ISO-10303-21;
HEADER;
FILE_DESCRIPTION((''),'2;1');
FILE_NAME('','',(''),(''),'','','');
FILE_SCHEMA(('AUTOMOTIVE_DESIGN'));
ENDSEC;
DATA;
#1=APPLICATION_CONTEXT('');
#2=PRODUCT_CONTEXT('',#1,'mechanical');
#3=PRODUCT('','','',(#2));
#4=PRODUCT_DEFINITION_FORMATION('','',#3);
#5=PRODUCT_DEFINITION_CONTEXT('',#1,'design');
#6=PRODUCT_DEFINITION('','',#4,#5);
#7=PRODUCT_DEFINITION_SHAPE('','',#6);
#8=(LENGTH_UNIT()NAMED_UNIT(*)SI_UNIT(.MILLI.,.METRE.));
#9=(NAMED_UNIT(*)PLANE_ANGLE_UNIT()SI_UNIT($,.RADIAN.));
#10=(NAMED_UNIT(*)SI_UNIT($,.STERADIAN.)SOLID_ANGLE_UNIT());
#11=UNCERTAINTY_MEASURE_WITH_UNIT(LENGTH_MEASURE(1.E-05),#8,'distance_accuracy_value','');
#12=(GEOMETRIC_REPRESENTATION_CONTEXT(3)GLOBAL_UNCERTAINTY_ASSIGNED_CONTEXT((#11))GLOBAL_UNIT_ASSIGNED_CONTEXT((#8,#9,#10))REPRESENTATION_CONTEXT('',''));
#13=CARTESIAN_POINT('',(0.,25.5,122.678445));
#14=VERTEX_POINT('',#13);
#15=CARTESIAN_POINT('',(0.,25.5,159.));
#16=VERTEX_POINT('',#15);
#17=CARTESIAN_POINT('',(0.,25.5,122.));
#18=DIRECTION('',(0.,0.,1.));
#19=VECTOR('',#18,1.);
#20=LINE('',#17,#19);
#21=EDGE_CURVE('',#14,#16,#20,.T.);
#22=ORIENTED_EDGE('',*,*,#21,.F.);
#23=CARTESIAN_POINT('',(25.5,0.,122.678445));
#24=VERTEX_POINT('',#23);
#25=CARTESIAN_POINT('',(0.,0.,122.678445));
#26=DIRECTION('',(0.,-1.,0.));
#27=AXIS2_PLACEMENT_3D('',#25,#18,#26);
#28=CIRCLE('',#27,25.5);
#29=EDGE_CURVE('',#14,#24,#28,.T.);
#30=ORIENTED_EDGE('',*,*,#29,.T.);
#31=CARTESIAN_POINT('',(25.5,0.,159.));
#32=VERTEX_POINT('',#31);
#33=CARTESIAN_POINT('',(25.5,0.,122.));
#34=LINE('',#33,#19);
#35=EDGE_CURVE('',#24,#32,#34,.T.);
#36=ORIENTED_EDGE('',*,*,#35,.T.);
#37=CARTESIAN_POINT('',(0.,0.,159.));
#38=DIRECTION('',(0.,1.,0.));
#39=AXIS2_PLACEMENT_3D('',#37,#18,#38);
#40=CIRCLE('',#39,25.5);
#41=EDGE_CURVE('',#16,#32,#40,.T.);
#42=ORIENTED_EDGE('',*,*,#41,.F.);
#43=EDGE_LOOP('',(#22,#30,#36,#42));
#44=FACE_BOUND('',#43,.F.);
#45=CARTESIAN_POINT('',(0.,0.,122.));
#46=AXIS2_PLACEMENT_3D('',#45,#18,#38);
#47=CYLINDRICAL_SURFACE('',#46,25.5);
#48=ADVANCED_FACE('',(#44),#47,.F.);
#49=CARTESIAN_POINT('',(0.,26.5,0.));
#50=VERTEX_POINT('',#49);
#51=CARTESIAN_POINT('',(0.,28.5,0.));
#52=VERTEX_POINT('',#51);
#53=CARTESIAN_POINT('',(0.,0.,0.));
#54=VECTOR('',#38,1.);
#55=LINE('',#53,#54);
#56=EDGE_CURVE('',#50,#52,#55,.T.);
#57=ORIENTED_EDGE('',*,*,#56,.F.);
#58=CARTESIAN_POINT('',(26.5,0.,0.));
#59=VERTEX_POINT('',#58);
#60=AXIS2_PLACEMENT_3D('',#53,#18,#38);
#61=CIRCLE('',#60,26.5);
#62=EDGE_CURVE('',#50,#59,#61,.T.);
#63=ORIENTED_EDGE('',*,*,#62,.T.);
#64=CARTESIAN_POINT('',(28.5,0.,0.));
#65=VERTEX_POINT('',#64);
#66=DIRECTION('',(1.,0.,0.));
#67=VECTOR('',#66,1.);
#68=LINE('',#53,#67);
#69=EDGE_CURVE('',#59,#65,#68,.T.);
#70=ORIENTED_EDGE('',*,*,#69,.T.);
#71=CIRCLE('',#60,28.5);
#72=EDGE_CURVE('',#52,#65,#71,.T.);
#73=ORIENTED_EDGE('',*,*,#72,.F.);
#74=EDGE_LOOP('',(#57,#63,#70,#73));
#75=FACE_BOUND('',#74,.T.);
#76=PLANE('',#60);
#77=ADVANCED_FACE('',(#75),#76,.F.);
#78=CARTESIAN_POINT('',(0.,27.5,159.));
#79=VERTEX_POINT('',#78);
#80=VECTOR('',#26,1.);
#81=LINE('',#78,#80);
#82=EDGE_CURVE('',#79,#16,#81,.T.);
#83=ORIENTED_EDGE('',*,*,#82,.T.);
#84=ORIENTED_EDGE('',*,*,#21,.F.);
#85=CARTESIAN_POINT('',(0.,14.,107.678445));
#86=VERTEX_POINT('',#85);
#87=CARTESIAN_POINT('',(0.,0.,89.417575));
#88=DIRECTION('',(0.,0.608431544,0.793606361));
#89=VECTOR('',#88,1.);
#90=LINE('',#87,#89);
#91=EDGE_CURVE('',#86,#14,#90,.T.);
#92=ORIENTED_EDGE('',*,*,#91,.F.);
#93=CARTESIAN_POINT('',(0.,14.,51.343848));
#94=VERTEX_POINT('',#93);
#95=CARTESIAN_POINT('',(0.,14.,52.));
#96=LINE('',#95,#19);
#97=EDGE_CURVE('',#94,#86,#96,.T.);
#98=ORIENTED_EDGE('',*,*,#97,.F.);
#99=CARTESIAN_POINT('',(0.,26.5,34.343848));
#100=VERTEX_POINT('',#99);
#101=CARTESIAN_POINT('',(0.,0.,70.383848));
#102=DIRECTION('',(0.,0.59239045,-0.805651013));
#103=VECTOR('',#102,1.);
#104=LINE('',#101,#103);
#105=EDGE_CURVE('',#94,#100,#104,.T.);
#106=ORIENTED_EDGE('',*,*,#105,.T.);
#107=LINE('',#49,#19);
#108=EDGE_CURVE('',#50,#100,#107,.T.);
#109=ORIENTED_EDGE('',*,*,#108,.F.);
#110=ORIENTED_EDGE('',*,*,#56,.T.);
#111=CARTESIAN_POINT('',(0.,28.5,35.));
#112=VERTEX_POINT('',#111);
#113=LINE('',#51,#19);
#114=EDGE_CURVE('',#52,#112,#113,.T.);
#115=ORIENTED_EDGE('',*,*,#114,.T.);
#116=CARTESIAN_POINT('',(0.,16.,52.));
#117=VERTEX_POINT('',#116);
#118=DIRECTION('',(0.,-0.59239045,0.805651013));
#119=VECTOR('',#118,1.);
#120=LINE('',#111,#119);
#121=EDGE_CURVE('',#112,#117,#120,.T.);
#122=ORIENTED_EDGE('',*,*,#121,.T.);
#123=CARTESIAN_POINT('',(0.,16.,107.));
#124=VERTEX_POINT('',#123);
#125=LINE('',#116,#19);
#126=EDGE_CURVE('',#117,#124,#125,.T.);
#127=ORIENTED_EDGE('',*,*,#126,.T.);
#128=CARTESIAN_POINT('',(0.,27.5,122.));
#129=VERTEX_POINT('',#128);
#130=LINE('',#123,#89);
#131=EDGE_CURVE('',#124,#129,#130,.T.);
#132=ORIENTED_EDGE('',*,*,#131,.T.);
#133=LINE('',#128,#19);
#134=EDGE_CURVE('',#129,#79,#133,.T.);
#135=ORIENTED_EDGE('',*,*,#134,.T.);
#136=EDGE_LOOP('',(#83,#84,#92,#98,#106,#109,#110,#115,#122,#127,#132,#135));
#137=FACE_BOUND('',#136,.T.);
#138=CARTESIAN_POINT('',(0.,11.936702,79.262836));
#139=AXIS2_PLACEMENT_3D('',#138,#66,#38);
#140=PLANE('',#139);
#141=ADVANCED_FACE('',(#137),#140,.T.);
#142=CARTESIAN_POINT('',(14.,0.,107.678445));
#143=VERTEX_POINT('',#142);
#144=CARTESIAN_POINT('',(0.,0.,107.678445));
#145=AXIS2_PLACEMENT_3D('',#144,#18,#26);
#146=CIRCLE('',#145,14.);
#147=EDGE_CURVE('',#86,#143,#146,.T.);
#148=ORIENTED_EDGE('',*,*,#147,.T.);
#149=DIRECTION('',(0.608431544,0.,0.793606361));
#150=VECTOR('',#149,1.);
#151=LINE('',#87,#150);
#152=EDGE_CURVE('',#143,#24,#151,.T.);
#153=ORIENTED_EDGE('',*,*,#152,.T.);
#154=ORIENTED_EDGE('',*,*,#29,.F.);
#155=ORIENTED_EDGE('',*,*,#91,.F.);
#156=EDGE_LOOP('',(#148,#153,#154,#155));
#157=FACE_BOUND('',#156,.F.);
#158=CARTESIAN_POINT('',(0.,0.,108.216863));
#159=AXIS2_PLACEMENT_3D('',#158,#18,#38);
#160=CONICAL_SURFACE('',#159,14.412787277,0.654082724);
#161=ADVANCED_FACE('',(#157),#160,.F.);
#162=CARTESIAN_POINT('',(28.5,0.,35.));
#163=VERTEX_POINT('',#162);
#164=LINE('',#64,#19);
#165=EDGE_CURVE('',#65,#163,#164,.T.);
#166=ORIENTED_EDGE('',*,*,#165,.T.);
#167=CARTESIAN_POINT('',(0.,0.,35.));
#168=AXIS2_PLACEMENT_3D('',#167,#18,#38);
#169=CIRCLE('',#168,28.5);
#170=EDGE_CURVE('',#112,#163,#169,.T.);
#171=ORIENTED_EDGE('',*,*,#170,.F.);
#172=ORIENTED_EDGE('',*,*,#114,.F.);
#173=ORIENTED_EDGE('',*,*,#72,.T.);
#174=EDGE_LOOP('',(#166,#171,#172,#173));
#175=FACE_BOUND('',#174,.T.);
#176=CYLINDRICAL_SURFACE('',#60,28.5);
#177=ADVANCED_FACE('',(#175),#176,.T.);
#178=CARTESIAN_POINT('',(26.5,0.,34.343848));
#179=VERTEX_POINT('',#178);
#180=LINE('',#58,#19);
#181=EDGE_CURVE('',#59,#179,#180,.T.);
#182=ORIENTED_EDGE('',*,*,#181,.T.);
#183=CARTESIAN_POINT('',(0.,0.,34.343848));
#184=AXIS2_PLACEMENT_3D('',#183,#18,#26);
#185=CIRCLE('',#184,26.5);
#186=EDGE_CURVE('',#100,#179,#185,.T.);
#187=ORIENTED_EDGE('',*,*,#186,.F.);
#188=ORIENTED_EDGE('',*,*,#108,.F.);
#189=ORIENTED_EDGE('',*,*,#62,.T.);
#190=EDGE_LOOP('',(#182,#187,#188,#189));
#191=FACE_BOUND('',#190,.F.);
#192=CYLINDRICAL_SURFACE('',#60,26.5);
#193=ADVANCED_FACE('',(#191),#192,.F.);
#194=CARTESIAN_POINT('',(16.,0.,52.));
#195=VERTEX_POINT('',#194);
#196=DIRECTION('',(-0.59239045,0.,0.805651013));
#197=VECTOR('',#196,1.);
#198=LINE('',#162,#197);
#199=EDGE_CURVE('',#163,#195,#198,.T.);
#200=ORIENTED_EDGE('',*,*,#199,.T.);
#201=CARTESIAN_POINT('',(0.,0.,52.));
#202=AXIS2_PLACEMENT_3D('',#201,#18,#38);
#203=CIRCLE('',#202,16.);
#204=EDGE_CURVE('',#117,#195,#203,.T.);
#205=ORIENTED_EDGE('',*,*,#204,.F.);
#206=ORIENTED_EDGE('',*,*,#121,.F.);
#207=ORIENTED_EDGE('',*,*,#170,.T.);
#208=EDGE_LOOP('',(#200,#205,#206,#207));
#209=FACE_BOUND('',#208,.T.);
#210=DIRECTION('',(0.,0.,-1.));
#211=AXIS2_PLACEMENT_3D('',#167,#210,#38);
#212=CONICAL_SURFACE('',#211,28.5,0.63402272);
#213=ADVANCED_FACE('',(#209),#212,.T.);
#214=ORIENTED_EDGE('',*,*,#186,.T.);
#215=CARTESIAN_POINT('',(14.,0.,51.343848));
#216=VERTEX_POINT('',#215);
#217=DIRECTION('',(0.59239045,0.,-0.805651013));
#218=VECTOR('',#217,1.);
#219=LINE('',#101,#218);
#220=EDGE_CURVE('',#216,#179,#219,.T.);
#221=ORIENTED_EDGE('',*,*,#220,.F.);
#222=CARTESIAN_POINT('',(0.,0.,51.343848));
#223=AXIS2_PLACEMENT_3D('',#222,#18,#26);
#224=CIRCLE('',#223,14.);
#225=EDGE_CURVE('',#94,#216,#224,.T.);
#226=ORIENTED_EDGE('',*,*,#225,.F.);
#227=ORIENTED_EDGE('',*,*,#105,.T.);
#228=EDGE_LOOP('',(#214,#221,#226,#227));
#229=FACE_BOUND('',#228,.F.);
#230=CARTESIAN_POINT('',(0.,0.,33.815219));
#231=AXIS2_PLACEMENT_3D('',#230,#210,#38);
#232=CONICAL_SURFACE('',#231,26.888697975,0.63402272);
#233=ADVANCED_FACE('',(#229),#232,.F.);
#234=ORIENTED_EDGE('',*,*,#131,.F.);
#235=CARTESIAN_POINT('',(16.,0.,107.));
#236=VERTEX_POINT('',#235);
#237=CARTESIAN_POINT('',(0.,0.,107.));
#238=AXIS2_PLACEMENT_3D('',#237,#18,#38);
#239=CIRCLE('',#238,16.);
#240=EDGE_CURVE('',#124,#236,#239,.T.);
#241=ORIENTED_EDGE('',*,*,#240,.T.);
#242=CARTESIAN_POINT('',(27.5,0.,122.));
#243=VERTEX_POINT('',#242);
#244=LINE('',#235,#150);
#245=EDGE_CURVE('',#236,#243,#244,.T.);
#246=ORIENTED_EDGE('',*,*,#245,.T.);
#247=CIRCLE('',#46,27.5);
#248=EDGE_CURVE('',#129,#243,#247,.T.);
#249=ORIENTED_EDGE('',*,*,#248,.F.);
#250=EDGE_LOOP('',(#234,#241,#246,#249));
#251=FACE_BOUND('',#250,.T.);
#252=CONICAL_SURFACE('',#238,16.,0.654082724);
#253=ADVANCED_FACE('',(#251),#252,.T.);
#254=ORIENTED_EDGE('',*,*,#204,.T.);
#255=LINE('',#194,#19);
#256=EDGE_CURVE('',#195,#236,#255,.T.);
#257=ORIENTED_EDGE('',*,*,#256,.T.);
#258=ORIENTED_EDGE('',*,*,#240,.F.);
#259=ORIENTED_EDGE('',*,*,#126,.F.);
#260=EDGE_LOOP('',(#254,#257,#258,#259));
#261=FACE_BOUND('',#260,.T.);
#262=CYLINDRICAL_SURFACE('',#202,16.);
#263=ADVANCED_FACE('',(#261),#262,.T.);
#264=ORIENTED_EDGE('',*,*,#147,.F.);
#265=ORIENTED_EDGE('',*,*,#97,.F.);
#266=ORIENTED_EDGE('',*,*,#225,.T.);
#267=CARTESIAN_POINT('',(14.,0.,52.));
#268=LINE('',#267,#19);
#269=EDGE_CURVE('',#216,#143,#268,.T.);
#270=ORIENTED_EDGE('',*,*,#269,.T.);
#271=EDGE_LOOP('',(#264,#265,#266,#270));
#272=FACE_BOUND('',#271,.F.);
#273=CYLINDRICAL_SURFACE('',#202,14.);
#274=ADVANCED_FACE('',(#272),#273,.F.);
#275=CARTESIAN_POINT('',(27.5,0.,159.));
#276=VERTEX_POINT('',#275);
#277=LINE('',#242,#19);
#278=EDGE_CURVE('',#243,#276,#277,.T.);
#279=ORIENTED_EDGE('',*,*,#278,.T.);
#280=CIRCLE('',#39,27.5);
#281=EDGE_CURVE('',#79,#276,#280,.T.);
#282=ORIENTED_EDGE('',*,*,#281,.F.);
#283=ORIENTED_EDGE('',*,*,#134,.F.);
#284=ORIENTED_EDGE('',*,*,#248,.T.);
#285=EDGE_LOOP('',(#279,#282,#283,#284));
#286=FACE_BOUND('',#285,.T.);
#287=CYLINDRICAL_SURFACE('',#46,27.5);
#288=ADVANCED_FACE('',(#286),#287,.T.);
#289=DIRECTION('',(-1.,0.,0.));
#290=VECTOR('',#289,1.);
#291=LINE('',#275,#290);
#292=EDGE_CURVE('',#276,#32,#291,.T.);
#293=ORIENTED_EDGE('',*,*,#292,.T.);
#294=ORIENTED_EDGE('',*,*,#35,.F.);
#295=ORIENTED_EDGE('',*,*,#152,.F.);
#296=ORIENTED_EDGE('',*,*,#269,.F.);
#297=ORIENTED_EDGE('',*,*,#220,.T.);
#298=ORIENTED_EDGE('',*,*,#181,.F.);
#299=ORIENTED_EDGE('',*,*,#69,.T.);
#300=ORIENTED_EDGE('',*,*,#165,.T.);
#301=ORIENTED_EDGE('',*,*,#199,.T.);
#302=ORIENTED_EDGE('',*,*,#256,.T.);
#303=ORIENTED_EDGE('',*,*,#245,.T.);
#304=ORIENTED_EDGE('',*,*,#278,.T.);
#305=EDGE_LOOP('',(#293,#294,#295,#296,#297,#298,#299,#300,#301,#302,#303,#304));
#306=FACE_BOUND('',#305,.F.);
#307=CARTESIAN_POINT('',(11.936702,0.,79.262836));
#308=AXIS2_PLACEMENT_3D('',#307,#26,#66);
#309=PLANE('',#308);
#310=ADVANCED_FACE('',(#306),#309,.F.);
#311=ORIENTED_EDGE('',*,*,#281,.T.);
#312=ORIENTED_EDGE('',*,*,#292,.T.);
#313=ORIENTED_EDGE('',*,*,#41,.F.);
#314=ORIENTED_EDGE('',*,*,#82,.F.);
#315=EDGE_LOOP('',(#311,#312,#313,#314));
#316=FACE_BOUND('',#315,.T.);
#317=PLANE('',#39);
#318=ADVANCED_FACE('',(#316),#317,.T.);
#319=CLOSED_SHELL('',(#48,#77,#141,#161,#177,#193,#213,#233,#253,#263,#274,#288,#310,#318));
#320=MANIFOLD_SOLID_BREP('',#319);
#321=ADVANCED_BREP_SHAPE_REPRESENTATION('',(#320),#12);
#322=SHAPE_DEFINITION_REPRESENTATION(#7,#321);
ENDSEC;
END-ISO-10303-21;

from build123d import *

# Parameters (mm, degrees)
F6_ANGLE = 270
F7_T     = -2


with BuildPart() as f6:
    # F5 (on Right) → F6 (revolve)
    with BuildSketch(Plane.YZ):
        Polygon((0, 0), (28.5, 0), (28.5, 35), (16, 52), (16, 107), (27.5, 122), (27.5, 159), (0, 159), align=None)
    revolve(axis=Axis((0, 0, 79.5), (0, 0, 1)), revolution_arc=F6_ANGLE)

    # F7
    f7_openings = [f6.faces().sort_by_distance(p)[0] for p in [
        (0, 12.000093, 78.927374),
        (-3.890454, -3.890454, 159),
        (12.000093, 0, 78.927374),
        (-4.031925, -4.031925, 0),
    ]]
    offset(amount=F7_T, openings=f7_openings, kind=Kind.INTERSECTION)


solid = f6.part
